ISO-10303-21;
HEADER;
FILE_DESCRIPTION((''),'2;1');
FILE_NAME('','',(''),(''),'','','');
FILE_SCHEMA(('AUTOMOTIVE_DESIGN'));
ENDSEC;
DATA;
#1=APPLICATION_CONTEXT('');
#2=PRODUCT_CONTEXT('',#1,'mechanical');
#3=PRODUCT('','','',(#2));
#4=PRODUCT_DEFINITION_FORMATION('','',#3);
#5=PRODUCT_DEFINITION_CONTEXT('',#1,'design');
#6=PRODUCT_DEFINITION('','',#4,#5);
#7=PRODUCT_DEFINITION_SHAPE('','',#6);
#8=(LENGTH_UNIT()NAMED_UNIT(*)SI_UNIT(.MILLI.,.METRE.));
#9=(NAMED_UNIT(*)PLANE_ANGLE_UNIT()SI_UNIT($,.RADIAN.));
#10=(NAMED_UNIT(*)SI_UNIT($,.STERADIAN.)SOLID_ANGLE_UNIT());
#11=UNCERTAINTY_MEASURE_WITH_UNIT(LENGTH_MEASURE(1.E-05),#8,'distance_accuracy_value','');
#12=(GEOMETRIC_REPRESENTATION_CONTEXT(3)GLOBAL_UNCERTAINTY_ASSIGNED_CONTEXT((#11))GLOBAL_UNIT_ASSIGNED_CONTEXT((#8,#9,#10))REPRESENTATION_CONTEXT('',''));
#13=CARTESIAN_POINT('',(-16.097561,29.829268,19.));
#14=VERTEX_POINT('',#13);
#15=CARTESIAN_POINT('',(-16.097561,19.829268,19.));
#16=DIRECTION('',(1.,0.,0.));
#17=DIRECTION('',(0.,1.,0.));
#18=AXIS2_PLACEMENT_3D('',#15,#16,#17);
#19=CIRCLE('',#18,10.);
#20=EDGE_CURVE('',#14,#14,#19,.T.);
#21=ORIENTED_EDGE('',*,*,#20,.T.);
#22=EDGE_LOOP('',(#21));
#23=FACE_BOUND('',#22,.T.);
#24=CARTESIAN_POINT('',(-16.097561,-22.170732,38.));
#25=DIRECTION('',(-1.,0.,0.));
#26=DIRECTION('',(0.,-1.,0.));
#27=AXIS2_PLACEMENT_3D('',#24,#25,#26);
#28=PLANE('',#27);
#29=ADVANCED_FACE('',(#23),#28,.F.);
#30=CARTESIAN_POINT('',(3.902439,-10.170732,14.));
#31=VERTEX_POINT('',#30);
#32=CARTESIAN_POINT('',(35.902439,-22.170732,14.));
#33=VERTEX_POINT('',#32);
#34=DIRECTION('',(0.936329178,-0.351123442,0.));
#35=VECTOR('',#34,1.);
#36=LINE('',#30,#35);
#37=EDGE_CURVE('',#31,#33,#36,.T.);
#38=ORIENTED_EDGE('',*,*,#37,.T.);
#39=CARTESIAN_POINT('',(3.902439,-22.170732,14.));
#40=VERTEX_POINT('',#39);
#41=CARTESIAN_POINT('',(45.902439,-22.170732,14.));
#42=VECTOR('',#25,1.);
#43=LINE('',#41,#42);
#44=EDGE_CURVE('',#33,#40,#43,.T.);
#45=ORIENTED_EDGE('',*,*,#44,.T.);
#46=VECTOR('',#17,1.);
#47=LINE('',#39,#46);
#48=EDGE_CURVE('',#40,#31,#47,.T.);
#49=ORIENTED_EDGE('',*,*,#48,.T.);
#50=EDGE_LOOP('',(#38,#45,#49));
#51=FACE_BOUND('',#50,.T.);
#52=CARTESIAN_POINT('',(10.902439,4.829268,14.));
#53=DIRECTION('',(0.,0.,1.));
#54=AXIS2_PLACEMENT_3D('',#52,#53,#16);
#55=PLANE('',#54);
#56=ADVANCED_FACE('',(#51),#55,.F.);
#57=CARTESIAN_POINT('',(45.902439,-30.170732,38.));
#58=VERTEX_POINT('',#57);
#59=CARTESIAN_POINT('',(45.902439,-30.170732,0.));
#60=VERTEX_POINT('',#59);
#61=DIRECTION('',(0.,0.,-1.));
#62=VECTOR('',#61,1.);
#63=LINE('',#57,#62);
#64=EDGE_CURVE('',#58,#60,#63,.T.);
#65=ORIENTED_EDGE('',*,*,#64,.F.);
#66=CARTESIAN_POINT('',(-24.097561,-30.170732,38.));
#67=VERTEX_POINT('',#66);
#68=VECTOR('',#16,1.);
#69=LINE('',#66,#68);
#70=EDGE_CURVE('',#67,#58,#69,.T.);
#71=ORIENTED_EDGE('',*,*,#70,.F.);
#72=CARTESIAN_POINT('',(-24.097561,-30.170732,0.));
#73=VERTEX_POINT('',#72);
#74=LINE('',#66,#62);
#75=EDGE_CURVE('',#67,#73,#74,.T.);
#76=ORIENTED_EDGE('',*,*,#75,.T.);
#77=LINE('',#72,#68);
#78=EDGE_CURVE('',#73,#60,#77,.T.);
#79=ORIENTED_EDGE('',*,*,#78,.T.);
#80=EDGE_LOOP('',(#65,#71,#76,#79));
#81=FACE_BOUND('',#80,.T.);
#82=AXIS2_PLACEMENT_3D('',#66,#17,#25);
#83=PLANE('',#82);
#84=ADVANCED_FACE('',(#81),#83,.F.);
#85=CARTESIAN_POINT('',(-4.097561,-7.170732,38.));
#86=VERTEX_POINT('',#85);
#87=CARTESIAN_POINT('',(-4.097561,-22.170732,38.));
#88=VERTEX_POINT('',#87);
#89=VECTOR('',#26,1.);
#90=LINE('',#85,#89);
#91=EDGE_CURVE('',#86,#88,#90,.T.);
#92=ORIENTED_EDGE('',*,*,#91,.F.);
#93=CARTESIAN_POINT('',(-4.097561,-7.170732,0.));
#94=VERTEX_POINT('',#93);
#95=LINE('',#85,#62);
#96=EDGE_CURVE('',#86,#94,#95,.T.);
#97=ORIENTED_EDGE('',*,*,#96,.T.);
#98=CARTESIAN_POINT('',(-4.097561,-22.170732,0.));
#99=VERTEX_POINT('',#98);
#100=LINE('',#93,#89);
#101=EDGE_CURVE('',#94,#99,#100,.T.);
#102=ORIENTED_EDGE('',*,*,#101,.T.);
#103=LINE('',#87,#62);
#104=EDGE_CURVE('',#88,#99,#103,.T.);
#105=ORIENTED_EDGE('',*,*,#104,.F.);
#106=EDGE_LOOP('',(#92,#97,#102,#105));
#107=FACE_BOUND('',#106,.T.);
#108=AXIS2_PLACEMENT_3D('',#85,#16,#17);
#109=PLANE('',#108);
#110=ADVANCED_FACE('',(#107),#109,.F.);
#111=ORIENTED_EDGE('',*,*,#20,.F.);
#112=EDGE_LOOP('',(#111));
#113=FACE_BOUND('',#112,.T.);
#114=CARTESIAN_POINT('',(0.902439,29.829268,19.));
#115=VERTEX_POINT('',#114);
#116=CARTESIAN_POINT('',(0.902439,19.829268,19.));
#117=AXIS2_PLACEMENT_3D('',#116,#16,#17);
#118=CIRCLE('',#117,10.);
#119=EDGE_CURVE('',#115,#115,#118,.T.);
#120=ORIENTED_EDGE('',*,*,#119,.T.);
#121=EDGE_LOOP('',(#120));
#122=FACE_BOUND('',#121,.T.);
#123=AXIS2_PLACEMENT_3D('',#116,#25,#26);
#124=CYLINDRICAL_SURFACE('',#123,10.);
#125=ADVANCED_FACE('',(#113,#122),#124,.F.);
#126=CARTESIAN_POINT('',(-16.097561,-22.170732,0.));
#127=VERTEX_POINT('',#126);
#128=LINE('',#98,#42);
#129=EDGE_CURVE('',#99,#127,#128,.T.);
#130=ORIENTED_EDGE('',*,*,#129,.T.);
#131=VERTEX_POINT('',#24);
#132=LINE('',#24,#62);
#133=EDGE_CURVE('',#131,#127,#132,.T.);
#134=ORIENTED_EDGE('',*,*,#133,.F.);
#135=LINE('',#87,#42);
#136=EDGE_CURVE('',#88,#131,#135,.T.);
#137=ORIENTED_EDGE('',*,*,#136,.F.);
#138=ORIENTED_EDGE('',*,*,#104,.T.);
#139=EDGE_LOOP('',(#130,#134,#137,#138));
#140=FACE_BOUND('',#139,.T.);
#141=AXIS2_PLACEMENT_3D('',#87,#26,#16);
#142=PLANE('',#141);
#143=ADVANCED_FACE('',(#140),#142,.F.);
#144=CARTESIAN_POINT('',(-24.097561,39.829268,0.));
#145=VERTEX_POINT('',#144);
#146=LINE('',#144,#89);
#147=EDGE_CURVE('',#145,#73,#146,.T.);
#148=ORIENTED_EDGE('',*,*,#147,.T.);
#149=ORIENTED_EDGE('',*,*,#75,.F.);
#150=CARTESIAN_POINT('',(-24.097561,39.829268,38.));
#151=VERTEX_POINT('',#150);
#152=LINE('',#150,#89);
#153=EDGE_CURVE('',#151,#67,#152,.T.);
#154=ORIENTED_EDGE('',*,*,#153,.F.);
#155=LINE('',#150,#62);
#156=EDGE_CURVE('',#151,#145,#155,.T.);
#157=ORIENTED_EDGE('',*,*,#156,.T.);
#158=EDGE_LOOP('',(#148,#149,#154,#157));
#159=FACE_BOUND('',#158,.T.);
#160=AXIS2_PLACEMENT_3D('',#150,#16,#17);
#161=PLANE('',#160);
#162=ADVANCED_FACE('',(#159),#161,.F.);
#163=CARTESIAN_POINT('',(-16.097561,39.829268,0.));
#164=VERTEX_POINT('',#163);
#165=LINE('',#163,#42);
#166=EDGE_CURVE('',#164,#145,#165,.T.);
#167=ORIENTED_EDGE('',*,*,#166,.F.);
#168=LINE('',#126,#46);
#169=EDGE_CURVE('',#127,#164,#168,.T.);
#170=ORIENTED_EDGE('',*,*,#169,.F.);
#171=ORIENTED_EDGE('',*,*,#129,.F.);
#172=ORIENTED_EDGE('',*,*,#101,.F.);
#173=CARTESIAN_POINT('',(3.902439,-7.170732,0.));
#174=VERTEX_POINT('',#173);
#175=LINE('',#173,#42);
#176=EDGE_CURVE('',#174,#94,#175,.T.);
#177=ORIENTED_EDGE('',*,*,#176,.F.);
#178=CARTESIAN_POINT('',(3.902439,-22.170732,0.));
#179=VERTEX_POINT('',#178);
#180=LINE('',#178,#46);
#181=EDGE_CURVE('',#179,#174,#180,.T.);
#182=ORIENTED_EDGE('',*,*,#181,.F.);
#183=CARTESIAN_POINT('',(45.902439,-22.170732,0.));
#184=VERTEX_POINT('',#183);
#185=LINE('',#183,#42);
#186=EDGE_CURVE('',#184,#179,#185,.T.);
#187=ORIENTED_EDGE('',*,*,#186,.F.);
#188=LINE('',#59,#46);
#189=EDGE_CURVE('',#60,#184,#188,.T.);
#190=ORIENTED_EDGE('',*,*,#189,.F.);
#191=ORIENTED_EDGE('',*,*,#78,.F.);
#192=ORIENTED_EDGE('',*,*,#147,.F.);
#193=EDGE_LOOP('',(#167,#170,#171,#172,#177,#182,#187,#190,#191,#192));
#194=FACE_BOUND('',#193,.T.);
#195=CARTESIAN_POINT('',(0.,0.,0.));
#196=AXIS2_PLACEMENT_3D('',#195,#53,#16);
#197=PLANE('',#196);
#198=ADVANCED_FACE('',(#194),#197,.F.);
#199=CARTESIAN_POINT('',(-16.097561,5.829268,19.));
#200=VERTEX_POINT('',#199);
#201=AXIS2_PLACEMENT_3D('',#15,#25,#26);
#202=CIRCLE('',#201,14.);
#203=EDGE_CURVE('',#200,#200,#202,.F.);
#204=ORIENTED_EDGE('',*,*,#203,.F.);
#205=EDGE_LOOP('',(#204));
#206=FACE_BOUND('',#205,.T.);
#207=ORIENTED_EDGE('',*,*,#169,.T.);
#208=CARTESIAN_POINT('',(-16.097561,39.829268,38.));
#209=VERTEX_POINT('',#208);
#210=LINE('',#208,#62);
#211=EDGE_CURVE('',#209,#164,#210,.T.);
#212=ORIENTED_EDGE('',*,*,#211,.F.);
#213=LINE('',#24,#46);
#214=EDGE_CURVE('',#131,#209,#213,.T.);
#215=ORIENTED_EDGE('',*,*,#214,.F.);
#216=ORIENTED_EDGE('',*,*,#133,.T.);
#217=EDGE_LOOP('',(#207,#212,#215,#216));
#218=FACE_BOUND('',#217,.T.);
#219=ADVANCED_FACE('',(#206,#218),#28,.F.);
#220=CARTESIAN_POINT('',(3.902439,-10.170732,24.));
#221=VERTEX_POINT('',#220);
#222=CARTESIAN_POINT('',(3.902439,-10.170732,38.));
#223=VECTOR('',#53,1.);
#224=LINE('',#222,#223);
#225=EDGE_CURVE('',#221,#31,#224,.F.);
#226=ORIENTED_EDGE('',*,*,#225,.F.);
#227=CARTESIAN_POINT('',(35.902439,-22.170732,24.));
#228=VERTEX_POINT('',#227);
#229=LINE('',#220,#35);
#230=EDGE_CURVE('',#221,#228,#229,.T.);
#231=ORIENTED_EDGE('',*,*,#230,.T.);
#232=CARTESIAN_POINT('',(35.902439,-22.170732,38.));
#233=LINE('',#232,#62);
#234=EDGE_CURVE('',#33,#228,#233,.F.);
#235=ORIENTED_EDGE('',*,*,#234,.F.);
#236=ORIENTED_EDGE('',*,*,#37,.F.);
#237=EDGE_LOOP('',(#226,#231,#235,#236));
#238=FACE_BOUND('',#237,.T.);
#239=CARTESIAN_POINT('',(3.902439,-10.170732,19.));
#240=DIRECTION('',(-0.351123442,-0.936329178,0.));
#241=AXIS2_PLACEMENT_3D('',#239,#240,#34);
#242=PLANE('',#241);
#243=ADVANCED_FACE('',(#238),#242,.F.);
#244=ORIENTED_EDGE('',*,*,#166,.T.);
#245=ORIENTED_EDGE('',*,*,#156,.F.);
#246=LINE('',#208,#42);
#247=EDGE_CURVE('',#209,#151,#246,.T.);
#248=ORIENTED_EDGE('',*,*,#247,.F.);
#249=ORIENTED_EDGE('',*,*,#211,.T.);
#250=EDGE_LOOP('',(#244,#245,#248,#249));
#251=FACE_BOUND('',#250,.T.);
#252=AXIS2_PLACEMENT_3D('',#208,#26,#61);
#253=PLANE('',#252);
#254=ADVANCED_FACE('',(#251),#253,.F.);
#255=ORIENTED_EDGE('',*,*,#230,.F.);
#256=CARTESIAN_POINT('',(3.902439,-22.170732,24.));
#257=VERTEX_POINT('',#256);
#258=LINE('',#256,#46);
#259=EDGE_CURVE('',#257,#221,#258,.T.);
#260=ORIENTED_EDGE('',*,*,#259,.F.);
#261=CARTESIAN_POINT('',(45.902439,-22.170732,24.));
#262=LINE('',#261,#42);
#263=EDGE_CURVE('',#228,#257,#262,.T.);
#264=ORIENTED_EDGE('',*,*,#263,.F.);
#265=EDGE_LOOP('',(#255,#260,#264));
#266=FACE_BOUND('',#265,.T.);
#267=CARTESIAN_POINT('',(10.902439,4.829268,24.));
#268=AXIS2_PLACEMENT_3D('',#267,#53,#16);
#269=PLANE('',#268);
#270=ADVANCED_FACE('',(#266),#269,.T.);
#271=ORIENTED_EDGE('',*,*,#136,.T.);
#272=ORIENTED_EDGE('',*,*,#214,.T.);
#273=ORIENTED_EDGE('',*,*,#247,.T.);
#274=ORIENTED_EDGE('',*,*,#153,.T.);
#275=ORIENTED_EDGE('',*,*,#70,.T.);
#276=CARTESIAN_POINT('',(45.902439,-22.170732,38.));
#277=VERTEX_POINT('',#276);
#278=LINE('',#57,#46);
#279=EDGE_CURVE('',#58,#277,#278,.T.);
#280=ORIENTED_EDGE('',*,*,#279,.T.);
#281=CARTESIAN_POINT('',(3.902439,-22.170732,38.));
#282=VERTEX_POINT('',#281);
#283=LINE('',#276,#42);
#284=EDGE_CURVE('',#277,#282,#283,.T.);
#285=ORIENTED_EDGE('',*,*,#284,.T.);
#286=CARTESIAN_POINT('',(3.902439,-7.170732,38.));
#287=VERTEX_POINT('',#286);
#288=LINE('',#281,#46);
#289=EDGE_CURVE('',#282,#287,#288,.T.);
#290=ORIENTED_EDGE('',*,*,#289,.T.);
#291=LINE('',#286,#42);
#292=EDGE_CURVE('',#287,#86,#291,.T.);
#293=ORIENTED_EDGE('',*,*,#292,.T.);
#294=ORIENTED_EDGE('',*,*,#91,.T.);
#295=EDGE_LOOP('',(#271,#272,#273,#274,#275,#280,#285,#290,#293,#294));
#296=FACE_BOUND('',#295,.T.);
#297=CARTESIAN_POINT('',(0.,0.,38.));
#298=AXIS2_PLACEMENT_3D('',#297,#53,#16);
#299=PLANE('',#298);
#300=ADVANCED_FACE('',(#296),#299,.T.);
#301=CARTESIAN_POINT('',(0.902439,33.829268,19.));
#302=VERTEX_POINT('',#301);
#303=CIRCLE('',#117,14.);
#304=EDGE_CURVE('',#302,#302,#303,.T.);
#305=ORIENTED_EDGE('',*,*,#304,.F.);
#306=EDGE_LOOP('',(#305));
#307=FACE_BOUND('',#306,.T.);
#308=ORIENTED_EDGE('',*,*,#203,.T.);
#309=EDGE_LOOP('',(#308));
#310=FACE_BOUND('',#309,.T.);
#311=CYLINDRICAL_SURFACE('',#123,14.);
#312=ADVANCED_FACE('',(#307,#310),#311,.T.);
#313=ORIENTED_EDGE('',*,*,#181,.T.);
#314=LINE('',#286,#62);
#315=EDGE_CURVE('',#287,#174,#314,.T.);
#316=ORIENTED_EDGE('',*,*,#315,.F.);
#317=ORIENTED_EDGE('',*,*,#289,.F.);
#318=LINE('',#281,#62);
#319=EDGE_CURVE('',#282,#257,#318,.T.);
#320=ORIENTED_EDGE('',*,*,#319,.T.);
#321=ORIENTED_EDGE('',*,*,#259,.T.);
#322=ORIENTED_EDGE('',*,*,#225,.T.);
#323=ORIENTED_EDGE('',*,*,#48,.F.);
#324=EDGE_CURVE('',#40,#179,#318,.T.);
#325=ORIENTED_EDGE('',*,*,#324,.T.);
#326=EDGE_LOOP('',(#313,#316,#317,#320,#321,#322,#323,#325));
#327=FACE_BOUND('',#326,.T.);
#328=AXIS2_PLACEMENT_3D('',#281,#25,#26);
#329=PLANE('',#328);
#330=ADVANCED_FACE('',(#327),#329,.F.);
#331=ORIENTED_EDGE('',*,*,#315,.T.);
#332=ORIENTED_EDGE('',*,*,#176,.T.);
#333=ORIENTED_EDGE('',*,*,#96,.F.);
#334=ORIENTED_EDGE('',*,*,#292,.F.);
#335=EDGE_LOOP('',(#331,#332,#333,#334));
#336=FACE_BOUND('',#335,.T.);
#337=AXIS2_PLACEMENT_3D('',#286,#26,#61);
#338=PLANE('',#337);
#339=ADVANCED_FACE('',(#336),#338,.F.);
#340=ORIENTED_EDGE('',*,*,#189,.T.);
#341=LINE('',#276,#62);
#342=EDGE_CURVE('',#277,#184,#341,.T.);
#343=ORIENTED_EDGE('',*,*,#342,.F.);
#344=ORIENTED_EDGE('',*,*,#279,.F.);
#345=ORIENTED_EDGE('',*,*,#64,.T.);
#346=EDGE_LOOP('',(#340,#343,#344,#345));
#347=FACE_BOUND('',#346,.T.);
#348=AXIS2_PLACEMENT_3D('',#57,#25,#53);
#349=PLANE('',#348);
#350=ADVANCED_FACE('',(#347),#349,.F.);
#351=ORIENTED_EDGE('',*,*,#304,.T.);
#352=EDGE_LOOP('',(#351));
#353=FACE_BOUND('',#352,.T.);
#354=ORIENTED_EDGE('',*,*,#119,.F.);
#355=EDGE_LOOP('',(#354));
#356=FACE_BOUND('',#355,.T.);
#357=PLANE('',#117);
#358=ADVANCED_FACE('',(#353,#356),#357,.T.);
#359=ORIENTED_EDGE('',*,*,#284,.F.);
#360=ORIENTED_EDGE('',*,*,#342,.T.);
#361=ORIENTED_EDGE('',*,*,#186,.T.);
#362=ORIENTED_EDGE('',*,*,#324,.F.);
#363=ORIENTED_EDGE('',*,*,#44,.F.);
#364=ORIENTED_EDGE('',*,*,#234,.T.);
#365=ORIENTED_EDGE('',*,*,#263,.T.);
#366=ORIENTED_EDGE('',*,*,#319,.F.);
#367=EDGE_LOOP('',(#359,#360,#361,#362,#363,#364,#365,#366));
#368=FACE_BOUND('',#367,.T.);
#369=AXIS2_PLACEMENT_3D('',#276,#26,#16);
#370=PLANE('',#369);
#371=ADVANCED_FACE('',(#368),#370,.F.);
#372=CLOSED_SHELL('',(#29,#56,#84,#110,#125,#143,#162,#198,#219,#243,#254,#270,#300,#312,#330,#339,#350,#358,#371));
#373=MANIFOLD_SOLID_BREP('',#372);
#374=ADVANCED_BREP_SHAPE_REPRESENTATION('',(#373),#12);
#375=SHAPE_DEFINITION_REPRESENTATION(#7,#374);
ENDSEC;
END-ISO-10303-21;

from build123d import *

# Parameters (mm, degrees)
BOSS_EXTRUDE1_DEPTH = 38
RIB1_REACH          = 65.674
SKETCH2_WALL_W      = 163.52442716
SKETCH2_WALL_H      = 10
SKETCH3_R           = 14
SKETCH3_R_2         = 10
BOSS_EXTRUDE2_DEPTH = 17


with BuildPart() as part:
    # Sketch1 → Boss-Extrude1 (new body)
    with BuildSketch(Plane.XY):
        Polygon((-16.097560976, 39.829268293), (-24.097560976, 39.829268293), (-24.097560976, -30.170731707), (45.902439024, -30.170731707), (45.902439024, -22.170731707), (3.902439024, -22.170731707), (3.902439024, -7.170731707), (-4.097560976, -7.170731707), (-4.097560976, -22.170731707), (-16.097560976, -22.170731707), align=None)
    extrude(amount=BOSS_EXTRUDE1_DEPTH)

    # Sketch2 wall → Rib1 (add, up to next)
    with BuildSketch(Plane(origin=(19.902439024, -16.170731707, 19), x_dir=(0.936329177569, -0.351123441588, 0), z_dir=(0.351123441588, 0.936329177569, 0)), mode=Mode.PRIVATE) as rib1_sk1:
        Rectangle(SKETCH2_WALL_W, SKETCH2_WALL_H)
    rib1_tool1 = extrude(rib1_sk1.sketch, amount=-RIB1_REACH, mode=Mode.PRIVATE) - part.part
    add(rib1_tool1.solids().sort_by_distance((19.902439024, -16.170731707, 19))[0])

    # Sketch3 → Boss-Extrude2 (add)
    with BuildSketch(Plane(origin=(-16.097560976, 0, 0), x_dir=(0, 0, -1), z_dir=(1, 0, 0))):
        with Locations(Location((-19, 19.829268293, 0), (0, 0, 270))):
            Circle(SKETCH3_R)
        with Locations(Location((-19, 19.829268293, 0), (0, 0, 90))):
            Circle(SKETCH3_R_2, mode=Mode.SUBTRACT)
    extrude(amount=BOSS_EXTRUDE2_DEPTH)


solid = part.part
